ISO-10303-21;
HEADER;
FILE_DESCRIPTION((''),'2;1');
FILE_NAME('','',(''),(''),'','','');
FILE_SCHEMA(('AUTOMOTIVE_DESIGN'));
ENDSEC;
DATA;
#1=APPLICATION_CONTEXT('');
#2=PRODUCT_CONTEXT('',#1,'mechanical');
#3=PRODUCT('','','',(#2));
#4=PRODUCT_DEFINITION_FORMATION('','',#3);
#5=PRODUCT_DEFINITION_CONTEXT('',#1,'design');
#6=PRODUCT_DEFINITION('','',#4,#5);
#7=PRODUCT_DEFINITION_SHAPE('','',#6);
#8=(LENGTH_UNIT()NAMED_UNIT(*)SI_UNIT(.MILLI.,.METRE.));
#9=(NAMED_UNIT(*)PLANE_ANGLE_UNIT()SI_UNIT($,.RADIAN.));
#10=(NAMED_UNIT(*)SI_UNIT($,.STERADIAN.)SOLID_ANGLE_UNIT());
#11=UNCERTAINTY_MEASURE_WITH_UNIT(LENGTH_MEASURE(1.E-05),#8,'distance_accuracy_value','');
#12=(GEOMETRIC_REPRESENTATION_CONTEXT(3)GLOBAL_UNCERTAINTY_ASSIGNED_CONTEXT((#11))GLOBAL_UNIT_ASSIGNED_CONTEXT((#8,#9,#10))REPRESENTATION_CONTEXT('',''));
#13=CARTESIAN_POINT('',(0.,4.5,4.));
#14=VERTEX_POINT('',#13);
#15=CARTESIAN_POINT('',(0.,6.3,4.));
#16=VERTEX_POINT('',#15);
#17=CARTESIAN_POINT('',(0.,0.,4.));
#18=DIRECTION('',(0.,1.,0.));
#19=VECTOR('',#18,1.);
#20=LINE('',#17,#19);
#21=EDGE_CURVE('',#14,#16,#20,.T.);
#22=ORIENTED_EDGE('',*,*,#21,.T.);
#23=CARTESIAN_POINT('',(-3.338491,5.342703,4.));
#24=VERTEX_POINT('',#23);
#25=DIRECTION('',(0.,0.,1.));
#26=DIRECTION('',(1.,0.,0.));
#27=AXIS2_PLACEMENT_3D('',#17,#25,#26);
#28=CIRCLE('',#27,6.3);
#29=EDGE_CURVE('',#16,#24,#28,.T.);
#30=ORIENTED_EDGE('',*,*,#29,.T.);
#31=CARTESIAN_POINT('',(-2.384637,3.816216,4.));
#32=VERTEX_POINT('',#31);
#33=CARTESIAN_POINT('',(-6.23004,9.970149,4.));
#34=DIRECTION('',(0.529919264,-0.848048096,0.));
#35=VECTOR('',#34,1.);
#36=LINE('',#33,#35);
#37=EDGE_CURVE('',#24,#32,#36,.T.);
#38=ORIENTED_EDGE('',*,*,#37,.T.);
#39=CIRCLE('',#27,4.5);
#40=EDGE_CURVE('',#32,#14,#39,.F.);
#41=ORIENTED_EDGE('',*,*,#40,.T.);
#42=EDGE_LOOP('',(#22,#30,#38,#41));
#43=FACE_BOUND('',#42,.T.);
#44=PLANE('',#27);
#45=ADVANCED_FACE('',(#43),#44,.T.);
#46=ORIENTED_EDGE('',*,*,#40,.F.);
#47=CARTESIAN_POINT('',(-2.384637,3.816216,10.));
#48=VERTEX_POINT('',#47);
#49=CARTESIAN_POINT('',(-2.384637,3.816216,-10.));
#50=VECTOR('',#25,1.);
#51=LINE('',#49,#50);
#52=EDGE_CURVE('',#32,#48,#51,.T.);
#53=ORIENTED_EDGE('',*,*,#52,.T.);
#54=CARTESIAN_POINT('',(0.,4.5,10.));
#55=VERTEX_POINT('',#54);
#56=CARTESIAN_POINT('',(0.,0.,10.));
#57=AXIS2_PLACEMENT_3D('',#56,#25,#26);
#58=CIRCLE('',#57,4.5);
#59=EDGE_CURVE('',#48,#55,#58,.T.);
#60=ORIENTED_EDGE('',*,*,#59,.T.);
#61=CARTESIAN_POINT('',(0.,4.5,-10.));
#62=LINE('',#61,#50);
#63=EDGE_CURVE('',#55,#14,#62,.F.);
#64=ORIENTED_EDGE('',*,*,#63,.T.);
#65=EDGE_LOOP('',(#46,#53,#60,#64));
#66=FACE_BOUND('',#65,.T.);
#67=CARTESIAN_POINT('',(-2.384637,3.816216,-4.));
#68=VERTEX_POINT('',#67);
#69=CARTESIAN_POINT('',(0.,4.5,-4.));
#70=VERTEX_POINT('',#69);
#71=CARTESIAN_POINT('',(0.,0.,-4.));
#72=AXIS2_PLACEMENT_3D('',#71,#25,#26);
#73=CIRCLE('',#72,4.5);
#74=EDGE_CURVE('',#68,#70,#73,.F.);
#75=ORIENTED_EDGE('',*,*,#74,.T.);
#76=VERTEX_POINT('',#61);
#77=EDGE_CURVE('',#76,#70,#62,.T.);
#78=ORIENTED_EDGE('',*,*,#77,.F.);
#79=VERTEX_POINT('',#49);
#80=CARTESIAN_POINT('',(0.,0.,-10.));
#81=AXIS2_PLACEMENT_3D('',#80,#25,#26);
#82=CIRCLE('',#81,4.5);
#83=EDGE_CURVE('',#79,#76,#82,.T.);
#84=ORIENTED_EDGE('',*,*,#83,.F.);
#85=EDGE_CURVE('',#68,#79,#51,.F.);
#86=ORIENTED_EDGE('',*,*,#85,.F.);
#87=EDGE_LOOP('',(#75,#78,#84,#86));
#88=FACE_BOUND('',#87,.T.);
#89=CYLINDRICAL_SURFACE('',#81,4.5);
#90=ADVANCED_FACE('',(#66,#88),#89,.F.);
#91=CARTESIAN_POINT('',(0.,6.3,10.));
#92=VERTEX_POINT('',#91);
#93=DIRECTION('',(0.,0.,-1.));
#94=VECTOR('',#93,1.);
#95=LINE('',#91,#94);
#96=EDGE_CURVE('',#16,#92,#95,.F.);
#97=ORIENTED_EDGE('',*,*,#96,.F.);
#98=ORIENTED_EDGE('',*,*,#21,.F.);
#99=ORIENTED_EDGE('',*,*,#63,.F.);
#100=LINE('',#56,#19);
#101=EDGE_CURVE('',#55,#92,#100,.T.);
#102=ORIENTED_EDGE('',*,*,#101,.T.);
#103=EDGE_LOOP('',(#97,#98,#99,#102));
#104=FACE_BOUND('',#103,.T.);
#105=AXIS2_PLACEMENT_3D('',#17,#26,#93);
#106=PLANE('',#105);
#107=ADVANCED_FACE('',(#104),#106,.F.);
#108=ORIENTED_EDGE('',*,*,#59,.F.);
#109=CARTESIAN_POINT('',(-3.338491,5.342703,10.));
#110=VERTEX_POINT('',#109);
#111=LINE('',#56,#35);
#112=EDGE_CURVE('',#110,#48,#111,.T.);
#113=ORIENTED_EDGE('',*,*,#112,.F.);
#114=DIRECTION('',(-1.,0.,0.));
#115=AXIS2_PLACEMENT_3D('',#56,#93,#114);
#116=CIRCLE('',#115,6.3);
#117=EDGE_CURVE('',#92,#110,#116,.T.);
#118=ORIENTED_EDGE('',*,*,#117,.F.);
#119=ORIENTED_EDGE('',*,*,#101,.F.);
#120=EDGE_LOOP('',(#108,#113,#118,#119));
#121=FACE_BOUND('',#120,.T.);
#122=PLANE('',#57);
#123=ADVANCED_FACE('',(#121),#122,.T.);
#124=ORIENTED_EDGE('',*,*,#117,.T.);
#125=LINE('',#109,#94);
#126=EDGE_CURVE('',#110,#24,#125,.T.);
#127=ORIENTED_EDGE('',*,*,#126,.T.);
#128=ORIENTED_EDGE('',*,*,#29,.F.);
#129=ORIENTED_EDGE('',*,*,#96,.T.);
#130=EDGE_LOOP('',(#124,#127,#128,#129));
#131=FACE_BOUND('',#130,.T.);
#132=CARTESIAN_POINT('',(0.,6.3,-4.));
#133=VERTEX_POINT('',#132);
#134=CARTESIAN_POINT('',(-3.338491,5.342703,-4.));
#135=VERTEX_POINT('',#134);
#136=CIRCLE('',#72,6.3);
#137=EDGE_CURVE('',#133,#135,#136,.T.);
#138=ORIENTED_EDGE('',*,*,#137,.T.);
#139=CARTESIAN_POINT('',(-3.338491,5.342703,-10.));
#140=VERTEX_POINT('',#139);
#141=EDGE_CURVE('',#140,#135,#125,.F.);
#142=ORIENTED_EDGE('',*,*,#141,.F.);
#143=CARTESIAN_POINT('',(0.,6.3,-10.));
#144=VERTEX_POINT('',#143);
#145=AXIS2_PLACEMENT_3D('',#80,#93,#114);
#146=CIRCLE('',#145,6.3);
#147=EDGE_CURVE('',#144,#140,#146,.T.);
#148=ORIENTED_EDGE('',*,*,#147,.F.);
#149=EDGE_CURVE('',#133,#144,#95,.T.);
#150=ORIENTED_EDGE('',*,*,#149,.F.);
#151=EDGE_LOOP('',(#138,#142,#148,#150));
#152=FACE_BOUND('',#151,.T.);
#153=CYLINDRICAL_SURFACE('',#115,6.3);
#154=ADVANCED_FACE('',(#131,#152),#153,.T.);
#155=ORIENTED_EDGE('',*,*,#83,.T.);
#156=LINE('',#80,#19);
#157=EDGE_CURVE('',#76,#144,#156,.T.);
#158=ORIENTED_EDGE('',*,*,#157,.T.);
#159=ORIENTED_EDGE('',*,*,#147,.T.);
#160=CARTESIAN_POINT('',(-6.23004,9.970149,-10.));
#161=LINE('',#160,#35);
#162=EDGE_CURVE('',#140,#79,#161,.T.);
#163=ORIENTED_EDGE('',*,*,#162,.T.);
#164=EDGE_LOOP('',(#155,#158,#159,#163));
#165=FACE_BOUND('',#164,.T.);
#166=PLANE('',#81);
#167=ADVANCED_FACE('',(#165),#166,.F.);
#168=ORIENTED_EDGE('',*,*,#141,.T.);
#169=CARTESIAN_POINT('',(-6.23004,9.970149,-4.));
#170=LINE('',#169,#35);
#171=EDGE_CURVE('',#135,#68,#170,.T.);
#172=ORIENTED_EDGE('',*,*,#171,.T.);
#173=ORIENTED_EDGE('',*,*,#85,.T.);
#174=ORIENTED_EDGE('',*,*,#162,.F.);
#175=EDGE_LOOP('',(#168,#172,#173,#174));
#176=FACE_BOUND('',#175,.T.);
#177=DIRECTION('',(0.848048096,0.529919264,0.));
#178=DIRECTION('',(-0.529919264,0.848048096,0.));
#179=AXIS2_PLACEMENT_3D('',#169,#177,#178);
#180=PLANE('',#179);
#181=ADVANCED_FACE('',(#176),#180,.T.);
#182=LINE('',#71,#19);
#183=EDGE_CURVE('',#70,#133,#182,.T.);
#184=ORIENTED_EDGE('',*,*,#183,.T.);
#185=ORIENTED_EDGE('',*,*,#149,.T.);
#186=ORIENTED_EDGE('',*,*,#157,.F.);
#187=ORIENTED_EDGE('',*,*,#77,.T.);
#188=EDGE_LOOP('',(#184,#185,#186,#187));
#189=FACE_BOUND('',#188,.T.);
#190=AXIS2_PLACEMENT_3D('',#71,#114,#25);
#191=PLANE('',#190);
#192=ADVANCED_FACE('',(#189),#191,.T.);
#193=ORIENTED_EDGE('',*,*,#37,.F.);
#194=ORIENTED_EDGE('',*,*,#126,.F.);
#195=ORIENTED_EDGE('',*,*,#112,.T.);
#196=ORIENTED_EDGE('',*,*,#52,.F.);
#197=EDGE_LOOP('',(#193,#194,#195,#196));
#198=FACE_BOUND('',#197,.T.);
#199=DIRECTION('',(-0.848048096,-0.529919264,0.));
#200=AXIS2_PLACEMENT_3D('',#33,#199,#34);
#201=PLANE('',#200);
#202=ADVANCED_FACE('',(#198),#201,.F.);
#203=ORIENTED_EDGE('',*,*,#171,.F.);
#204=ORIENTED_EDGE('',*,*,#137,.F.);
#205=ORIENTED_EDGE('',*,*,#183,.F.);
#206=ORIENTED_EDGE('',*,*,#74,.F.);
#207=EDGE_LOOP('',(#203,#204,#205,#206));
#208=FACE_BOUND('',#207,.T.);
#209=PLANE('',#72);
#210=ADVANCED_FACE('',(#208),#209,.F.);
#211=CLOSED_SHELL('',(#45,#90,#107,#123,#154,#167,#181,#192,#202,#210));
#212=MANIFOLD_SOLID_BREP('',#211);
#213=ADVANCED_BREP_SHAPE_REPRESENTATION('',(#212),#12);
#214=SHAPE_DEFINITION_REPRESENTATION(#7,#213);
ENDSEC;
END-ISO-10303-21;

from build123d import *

# Parameters (mm, degrees)
BOSS_EXTRUDE1_DEPTH      = 10
BOSS_EXTRUDE1_DEPTH_BACK = 10
SKETCH1_R                = 6.5
SKETCH1_R_2              = 4.5
CUT_EXTRUDE2_DEPTH       = 6
CUT_EXTRUDE3_DEPTH       = 6
SKETCH4_R                = 6.5
SKETCH4_R_2              = 6.3
CUT_EXTRUDE4_DEPTH       = 23.011360703


with BuildPart() as part:
    # Sketch1 → Boss-Extrude1 (new, two sides: drawn at the far end of the back side and taken through both)
    with BuildSketch(Plane.XY.offset(-BOSS_EXTRUDE1_DEPTH_BACK)):
        Circle(SKETCH1_R)
        Circle(SKETCH1_R_2, mode=Mode.SUBTRACT)
    extrude(amount=BOSS_EXTRUDE1_DEPTH + BOSS_EXTRUDE1_DEPTH_BACK)

    # Sketch2 → Cut-Extrude2 (cut)
    with BuildSketch(Plane.XY.offset(10)):
        with BuildLine():
            Line((-6.230040483, 9.970148902), (0, 0))
            Line((0, 0), (0, 11.756584264))
            ThreePointArc((0, 11.756584264), (-3.2405538, 11.301154128), (-6.230040483, 9.970148902))
        make_face()
    extrude(amount=-CUT_EXTRUDE2_DEPTH, mode=Mode.SUBTRACT)

    # Sketch3 → Cut-Extrude3 (cut)
    with BuildSketch(Plane.XY.offset(-10)):
        with BuildLine():
            Line((-6.230040483, 9.970148902), (0, 0))
            Line((0, 0), (0, 11.756584264))
            ThreePointArc((0, 11.756584264), (-3.2405538, 11.301154128), (-6.230040483, 9.970148902))
        make_face()
    extrude(amount=CUT_EXTRUDE3_DEPTH, mode=Mode.SUBTRACT)

    # Sketch4 → Cut-Extrude4 (cut, through all)
    with BuildSketch(Plane(origin=(0, 0, -10), x_dir=(-1, 0, 0), z_dir=(0, 0, -1))):
        Circle(SKETCH4_R)
        Circle(SKETCH4_R_2, mode=Mode.SUBTRACT)
    extrude(amount=-CUT_EXTRUDE4_DEPTH, mode=Mode.SUBTRACT)


solid = part.part
